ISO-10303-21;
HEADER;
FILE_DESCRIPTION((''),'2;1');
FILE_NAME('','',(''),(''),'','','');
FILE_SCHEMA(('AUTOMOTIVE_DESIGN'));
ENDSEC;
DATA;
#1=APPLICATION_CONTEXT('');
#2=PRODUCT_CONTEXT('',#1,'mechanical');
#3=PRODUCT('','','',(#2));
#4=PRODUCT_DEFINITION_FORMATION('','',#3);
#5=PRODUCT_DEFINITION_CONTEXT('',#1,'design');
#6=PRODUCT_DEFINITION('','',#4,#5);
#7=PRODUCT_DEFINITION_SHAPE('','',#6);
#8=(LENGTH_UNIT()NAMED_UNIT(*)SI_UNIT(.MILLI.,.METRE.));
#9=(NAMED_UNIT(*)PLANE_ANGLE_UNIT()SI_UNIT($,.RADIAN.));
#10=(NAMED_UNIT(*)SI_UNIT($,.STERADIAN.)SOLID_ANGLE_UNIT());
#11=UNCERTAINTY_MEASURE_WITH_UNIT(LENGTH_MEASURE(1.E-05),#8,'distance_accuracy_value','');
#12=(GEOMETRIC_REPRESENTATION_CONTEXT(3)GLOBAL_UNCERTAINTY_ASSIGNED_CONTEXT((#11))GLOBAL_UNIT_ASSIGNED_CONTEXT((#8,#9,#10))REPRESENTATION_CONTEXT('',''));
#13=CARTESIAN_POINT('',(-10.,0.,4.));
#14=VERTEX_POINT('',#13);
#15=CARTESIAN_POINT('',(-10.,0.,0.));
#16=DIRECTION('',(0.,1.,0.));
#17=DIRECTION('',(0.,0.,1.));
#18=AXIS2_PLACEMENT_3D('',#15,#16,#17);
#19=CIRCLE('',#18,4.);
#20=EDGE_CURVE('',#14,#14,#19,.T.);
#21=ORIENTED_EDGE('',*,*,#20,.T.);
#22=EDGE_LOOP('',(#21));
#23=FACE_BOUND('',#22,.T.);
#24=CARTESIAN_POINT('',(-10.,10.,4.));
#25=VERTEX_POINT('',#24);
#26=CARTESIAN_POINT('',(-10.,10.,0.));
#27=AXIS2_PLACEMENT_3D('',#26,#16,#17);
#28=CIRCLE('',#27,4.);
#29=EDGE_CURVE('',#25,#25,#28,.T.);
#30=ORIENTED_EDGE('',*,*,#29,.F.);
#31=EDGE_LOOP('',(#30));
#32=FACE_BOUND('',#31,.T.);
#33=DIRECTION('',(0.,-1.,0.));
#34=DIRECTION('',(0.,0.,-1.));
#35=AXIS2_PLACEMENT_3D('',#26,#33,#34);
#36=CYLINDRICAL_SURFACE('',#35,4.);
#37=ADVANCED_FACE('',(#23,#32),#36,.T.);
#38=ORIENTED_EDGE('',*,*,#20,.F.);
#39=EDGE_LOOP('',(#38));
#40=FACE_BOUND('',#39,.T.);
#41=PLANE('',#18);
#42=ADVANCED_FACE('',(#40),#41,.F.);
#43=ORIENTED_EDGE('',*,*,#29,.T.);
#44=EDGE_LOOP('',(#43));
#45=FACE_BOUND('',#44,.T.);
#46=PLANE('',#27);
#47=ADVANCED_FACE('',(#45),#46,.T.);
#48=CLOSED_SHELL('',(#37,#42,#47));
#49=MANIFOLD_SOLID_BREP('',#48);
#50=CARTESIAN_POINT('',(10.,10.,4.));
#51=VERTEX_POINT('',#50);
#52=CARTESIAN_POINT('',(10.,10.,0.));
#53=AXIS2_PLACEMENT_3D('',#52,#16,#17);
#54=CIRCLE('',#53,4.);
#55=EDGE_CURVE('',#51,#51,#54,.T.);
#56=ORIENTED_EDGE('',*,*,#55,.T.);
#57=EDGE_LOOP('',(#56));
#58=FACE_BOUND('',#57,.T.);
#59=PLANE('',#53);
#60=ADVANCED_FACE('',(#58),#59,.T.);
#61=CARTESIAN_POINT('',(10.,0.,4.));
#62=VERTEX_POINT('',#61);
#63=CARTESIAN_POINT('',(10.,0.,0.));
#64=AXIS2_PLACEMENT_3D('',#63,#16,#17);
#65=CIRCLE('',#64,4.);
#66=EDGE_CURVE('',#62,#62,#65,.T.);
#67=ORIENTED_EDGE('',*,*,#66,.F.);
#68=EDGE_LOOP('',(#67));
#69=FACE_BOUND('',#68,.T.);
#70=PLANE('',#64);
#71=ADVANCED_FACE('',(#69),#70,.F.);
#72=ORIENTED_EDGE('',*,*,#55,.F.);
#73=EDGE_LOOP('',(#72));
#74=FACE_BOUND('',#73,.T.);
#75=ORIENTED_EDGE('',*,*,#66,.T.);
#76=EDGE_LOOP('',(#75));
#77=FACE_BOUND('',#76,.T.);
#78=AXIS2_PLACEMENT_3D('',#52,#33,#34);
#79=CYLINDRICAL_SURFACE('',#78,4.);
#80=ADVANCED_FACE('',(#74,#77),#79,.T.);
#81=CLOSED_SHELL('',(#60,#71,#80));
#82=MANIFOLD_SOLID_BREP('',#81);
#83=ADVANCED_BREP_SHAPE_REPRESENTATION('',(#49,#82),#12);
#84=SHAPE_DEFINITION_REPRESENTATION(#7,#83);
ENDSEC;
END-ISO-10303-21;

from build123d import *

# Parameters (mm, degrees)
SKETCH1_R             = 4
BOSS_EXTRUDE1_DEPTH   = 10
BOSS_EXTRUDE1_2_DEPTH = 10


with BuildPart() as part:
    # Sketch1 → Boss-Extrude1 (new body)
    with BuildSketch(Plane(origin=(0, 0, 0), x_dir=(1, 0, 0), z_dir=(0, 1, 0))):
        with Locations(Location((10, 0, 0), (0, 0, 270))):
            Circle(SKETCH1_R)
    extrude(amount=BOSS_EXTRUDE1_DEPTH)


with BuildPart() as body_2:
    # Sketch1 → Boss-Extrude1 2 (new body)
    with BuildSketch(Plane(origin=(0, 0, 0), x_dir=(1, 0, 0), z_dir=(0, 1, 0))):
        with Locations(Location((-10, 0, 0), (0, 0, 270))):
            Circle(SKETCH1_R)
    extrude(amount=BOSS_EXTRUDE1_2_DEPTH)


solid = Compound([part.part, body_2.part])
